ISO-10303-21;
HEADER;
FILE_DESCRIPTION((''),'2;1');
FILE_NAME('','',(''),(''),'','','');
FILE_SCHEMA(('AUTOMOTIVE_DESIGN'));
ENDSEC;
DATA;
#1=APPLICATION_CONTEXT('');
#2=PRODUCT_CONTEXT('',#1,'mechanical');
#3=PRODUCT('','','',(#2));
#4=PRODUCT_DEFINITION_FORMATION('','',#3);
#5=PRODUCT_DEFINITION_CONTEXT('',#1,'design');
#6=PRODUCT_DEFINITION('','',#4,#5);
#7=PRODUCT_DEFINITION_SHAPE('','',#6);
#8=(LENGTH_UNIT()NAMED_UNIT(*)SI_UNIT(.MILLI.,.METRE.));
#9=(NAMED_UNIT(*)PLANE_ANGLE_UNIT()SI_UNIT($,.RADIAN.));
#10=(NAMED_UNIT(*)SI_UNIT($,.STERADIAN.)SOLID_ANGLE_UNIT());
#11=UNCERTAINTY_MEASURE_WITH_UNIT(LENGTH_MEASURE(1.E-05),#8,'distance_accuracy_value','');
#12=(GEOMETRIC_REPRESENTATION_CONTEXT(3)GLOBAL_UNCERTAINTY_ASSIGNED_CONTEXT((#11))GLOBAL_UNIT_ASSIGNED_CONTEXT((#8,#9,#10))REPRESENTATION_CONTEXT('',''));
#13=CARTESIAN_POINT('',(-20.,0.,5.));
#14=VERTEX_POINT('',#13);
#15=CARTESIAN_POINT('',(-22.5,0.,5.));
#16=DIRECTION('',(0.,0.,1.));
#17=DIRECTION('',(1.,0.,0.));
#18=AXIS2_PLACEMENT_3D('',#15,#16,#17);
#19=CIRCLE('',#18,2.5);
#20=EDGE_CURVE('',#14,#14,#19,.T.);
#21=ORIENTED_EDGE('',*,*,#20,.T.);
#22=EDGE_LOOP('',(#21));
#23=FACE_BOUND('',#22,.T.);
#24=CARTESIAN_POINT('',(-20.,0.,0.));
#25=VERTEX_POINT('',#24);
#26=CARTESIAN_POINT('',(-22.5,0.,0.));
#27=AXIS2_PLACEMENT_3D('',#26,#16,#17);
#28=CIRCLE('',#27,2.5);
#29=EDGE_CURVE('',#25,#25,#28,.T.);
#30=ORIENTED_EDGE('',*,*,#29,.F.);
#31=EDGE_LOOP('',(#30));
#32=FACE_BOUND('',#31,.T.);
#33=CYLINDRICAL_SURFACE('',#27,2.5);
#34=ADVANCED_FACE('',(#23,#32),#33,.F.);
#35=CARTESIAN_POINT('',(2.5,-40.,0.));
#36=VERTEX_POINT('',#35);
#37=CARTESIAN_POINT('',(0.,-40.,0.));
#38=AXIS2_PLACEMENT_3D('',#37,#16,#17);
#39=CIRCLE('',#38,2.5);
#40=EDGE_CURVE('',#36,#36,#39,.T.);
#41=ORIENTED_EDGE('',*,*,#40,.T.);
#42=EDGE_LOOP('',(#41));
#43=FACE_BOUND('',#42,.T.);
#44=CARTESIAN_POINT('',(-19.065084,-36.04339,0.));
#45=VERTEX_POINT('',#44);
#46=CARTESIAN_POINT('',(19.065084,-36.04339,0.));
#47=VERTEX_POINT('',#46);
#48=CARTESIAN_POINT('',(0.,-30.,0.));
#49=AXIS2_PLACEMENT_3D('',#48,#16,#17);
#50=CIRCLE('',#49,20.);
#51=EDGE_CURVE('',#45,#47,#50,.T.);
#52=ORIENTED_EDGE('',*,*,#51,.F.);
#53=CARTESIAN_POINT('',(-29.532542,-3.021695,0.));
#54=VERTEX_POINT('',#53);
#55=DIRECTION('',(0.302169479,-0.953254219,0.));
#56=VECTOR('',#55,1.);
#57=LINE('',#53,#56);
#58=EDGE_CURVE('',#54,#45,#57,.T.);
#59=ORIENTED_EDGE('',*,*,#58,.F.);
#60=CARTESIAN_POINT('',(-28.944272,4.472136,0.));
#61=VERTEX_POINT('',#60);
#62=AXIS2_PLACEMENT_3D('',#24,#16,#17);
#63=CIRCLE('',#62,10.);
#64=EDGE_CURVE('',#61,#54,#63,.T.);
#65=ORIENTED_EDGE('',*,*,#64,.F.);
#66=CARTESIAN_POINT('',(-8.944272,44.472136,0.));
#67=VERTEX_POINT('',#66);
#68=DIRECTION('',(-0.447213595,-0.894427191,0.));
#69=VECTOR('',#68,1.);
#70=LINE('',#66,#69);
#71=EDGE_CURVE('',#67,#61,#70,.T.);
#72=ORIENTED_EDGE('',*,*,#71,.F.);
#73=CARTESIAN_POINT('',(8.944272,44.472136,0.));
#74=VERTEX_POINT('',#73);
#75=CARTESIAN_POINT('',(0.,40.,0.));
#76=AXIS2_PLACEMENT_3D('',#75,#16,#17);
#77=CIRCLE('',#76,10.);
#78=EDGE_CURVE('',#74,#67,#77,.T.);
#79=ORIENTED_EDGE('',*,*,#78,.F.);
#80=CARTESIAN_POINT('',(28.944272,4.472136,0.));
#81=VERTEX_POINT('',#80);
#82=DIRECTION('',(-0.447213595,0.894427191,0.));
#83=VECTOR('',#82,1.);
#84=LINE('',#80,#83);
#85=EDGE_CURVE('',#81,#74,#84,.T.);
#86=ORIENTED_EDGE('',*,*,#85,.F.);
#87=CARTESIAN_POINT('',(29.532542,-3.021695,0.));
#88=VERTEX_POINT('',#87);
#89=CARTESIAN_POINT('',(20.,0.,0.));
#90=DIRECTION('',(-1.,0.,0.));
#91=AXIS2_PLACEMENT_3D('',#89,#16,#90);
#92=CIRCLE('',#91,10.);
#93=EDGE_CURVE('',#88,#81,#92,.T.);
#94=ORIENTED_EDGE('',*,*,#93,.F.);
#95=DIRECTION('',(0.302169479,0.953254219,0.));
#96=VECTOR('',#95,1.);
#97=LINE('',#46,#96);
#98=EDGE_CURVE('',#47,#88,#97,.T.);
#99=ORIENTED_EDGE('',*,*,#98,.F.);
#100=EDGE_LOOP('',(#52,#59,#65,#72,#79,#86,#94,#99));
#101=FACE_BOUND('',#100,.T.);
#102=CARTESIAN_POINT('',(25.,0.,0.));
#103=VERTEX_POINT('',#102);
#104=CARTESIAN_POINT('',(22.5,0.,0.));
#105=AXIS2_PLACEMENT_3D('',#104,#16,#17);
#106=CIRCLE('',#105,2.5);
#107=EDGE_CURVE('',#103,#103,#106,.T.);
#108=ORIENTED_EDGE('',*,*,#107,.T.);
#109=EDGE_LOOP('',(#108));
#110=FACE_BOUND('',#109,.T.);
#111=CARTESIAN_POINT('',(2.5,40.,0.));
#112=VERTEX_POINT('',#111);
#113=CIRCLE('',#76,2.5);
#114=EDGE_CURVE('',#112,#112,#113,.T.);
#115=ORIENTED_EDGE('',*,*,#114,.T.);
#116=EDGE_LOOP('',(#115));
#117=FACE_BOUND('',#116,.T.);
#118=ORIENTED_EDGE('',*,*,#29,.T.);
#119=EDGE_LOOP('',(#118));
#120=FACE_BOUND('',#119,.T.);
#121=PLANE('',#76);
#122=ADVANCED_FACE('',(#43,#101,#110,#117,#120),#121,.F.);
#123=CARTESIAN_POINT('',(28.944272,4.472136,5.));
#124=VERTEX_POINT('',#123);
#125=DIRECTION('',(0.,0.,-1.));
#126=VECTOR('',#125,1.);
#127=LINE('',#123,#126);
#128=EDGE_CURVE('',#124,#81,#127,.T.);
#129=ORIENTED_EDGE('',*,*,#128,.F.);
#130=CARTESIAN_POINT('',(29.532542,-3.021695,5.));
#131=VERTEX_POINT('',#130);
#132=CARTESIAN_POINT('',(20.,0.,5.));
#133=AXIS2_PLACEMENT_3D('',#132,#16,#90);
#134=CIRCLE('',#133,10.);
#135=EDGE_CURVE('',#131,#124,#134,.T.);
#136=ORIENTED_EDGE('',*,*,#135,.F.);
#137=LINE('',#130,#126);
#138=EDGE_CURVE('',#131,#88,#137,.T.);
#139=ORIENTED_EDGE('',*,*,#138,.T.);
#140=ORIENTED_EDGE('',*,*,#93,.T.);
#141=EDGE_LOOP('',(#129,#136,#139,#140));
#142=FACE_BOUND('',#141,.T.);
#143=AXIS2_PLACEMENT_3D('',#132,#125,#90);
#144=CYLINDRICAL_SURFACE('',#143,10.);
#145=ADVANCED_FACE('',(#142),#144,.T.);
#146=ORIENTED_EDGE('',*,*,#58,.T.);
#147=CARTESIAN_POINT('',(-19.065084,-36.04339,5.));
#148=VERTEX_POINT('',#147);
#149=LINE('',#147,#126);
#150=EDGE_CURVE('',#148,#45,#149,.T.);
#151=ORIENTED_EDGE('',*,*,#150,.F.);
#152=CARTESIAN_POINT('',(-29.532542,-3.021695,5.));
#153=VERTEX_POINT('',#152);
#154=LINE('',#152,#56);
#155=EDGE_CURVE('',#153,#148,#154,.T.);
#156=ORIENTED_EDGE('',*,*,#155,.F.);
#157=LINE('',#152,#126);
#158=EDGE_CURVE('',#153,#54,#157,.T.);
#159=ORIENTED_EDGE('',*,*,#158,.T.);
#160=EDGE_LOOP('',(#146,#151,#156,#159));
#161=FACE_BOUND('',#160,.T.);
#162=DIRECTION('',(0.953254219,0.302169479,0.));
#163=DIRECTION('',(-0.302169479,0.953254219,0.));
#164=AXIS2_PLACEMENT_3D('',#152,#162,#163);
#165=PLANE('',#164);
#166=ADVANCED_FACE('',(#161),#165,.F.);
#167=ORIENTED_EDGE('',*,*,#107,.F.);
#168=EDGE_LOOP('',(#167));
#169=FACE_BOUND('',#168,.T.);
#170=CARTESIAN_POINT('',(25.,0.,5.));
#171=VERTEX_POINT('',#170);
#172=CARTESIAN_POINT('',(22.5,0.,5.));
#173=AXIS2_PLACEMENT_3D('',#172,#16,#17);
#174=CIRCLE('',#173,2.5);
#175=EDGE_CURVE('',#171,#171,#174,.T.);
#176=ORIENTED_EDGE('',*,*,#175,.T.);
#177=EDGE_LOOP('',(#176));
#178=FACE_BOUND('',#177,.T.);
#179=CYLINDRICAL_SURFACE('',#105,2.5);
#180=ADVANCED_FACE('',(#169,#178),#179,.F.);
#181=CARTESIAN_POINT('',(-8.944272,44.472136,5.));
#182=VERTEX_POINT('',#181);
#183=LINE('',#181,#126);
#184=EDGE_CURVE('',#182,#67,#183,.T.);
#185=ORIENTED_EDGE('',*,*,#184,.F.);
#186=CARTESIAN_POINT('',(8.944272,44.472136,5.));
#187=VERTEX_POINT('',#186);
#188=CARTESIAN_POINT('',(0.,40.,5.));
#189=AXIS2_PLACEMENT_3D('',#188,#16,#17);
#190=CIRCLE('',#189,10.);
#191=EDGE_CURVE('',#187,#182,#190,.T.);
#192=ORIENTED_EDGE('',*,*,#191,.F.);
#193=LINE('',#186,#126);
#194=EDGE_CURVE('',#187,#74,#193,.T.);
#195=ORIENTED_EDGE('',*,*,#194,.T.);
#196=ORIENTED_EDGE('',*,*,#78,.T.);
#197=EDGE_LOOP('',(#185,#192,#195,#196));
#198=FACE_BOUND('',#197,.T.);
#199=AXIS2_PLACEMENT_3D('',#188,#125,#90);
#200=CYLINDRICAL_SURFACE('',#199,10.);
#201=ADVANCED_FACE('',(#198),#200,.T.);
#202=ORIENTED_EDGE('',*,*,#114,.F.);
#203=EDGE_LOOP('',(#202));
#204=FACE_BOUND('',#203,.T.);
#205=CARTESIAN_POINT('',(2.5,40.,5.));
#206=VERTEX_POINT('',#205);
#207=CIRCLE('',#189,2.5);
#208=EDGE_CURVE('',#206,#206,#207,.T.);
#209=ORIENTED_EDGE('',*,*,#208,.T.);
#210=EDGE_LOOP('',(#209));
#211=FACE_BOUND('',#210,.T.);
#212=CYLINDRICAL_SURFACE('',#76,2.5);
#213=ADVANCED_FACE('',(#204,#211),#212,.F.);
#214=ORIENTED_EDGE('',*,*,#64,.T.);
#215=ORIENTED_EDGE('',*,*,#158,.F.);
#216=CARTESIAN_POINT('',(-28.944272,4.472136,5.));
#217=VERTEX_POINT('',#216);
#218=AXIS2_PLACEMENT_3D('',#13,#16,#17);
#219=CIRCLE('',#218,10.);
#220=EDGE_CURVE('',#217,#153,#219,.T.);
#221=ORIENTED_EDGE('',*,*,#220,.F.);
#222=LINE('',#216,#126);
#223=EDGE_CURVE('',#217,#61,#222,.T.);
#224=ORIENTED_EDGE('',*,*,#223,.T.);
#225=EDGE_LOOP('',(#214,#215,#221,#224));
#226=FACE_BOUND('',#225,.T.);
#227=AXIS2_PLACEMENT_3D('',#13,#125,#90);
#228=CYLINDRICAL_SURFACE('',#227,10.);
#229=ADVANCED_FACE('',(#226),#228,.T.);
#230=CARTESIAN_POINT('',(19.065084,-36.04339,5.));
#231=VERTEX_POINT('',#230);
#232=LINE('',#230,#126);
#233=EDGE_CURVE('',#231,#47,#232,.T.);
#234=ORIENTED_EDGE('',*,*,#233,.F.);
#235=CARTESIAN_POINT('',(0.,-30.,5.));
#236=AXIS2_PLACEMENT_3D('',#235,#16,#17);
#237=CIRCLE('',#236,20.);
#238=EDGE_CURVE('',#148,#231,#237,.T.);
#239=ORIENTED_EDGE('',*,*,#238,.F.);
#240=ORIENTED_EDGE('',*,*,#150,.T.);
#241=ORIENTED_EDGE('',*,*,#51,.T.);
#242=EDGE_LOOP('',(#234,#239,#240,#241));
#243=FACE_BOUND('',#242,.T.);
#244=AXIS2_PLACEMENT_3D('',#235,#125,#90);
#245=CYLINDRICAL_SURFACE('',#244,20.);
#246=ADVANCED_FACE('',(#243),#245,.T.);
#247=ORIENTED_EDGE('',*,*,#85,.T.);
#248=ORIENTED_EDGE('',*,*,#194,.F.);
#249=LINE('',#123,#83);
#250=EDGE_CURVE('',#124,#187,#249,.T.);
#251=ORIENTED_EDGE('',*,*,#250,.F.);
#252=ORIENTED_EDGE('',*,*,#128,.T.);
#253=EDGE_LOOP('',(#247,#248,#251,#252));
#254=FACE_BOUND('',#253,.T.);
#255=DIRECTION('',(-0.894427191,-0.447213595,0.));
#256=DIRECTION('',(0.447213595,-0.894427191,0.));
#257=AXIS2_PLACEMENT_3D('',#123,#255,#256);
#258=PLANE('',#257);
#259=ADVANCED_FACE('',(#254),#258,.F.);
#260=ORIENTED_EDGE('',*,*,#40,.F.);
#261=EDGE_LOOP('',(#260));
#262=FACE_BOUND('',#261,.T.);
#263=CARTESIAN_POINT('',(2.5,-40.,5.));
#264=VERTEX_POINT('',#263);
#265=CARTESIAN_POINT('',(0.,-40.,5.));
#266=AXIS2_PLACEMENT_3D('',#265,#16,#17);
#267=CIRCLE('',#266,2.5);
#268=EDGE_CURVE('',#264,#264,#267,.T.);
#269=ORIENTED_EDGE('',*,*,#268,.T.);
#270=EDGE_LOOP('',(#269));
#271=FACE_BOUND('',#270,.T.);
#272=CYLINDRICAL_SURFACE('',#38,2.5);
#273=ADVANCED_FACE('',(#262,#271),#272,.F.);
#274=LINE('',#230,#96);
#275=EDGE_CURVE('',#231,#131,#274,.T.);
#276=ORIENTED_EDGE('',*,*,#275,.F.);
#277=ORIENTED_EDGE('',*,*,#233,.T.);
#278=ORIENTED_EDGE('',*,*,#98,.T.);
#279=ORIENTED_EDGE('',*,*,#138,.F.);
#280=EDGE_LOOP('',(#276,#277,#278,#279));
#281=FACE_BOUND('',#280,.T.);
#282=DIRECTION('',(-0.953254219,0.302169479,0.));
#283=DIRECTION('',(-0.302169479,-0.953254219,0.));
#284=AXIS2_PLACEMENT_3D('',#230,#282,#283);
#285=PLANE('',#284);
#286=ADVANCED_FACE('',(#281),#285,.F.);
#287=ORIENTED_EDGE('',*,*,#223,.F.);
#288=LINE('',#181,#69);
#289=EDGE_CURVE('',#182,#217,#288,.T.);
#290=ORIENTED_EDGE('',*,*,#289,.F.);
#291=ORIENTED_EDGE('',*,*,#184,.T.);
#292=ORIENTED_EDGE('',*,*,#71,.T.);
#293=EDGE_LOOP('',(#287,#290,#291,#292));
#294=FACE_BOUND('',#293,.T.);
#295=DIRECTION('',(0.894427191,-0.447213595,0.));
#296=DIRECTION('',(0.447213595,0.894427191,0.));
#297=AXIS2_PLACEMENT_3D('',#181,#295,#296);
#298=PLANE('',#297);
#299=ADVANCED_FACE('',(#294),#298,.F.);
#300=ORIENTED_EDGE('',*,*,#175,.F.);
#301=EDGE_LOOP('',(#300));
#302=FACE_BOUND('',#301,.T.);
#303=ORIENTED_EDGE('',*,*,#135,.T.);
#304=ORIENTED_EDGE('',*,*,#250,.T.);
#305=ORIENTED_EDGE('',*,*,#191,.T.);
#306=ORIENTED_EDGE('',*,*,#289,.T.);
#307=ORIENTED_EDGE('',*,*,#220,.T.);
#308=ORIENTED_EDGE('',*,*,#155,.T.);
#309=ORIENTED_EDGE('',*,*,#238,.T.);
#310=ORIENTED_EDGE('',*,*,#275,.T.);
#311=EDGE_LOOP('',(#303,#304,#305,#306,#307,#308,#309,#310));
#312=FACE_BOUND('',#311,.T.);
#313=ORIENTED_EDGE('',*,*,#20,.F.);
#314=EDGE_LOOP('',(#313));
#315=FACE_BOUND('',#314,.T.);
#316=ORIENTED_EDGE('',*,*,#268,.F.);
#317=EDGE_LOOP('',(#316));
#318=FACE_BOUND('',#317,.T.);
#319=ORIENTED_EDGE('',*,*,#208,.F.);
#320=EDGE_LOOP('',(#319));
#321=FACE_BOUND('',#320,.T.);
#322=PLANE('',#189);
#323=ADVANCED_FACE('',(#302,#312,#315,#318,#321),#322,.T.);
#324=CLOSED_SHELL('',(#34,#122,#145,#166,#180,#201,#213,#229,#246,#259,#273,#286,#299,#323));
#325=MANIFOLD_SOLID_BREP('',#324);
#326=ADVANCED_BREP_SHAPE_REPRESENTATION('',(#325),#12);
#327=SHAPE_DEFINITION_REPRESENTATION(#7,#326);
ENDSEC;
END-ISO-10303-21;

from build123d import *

# Parameters (mm, degrees)
BOSS_EXTRUDE1_DEPTH = 5
SKETCH2_R           = 2.5
CUT_EXTRUDE1_DEPTH  = 59.523499554


with BuildPart() as part:
    # Sketch1 → Boss-Extrude1 (new body)
    with BuildSketch(Plane.XY):
        with BuildLine():
            Line((28.94427191, 4.472135955), (8.94427191, 44.472135955))
            ThreePointArc((8.94427191, 44.472135955), (0, 50), (-8.94427191, 44.472135955))
            Line((-8.94427191, 44.472135955), (-28.94427191, 4.472135955))
            ThreePointArc((-28.94427191, 4.472135955), (-29.969329949, 0.782598474), (-29.532542189, -3.021694793))
            Line((-29.532542189, -3.021694793), (-19.065084378, -36.043389585))
            ThreePointArc((-19.065084378, -36.043389585), (0, -50), (19.065084378, -36.043389585))
            Line((19.065084378, -36.043389585), (29.532542189, -3.021694793))
            ThreePointArc((29.532542189, -3.021694793), (29.969329949, 0.782598474), (28.94427191, 4.472135955))
        make_face()
    extrude(amount=BOSS_EXTRUDE1_DEPTH)

    # Sketch2 → Cut-Extrude1 (cut, through all)
    with BuildSketch(Plane.XY.offset(5)):
        with Locations((0, 40)):
            Circle(SKETCH2_R)
        with Locations((0, -40)):
            Circle(SKETCH2_R)
        with Locations((22.5, 0)):
            Circle(SKETCH2_R)
        with Locations((-22.5, 0)):
            Circle(SKETCH2_R)
    extrude(amount=-CUT_EXTRUDE1_DEPTH, mode=Mode.SUBTRACT)


solid = part.part
